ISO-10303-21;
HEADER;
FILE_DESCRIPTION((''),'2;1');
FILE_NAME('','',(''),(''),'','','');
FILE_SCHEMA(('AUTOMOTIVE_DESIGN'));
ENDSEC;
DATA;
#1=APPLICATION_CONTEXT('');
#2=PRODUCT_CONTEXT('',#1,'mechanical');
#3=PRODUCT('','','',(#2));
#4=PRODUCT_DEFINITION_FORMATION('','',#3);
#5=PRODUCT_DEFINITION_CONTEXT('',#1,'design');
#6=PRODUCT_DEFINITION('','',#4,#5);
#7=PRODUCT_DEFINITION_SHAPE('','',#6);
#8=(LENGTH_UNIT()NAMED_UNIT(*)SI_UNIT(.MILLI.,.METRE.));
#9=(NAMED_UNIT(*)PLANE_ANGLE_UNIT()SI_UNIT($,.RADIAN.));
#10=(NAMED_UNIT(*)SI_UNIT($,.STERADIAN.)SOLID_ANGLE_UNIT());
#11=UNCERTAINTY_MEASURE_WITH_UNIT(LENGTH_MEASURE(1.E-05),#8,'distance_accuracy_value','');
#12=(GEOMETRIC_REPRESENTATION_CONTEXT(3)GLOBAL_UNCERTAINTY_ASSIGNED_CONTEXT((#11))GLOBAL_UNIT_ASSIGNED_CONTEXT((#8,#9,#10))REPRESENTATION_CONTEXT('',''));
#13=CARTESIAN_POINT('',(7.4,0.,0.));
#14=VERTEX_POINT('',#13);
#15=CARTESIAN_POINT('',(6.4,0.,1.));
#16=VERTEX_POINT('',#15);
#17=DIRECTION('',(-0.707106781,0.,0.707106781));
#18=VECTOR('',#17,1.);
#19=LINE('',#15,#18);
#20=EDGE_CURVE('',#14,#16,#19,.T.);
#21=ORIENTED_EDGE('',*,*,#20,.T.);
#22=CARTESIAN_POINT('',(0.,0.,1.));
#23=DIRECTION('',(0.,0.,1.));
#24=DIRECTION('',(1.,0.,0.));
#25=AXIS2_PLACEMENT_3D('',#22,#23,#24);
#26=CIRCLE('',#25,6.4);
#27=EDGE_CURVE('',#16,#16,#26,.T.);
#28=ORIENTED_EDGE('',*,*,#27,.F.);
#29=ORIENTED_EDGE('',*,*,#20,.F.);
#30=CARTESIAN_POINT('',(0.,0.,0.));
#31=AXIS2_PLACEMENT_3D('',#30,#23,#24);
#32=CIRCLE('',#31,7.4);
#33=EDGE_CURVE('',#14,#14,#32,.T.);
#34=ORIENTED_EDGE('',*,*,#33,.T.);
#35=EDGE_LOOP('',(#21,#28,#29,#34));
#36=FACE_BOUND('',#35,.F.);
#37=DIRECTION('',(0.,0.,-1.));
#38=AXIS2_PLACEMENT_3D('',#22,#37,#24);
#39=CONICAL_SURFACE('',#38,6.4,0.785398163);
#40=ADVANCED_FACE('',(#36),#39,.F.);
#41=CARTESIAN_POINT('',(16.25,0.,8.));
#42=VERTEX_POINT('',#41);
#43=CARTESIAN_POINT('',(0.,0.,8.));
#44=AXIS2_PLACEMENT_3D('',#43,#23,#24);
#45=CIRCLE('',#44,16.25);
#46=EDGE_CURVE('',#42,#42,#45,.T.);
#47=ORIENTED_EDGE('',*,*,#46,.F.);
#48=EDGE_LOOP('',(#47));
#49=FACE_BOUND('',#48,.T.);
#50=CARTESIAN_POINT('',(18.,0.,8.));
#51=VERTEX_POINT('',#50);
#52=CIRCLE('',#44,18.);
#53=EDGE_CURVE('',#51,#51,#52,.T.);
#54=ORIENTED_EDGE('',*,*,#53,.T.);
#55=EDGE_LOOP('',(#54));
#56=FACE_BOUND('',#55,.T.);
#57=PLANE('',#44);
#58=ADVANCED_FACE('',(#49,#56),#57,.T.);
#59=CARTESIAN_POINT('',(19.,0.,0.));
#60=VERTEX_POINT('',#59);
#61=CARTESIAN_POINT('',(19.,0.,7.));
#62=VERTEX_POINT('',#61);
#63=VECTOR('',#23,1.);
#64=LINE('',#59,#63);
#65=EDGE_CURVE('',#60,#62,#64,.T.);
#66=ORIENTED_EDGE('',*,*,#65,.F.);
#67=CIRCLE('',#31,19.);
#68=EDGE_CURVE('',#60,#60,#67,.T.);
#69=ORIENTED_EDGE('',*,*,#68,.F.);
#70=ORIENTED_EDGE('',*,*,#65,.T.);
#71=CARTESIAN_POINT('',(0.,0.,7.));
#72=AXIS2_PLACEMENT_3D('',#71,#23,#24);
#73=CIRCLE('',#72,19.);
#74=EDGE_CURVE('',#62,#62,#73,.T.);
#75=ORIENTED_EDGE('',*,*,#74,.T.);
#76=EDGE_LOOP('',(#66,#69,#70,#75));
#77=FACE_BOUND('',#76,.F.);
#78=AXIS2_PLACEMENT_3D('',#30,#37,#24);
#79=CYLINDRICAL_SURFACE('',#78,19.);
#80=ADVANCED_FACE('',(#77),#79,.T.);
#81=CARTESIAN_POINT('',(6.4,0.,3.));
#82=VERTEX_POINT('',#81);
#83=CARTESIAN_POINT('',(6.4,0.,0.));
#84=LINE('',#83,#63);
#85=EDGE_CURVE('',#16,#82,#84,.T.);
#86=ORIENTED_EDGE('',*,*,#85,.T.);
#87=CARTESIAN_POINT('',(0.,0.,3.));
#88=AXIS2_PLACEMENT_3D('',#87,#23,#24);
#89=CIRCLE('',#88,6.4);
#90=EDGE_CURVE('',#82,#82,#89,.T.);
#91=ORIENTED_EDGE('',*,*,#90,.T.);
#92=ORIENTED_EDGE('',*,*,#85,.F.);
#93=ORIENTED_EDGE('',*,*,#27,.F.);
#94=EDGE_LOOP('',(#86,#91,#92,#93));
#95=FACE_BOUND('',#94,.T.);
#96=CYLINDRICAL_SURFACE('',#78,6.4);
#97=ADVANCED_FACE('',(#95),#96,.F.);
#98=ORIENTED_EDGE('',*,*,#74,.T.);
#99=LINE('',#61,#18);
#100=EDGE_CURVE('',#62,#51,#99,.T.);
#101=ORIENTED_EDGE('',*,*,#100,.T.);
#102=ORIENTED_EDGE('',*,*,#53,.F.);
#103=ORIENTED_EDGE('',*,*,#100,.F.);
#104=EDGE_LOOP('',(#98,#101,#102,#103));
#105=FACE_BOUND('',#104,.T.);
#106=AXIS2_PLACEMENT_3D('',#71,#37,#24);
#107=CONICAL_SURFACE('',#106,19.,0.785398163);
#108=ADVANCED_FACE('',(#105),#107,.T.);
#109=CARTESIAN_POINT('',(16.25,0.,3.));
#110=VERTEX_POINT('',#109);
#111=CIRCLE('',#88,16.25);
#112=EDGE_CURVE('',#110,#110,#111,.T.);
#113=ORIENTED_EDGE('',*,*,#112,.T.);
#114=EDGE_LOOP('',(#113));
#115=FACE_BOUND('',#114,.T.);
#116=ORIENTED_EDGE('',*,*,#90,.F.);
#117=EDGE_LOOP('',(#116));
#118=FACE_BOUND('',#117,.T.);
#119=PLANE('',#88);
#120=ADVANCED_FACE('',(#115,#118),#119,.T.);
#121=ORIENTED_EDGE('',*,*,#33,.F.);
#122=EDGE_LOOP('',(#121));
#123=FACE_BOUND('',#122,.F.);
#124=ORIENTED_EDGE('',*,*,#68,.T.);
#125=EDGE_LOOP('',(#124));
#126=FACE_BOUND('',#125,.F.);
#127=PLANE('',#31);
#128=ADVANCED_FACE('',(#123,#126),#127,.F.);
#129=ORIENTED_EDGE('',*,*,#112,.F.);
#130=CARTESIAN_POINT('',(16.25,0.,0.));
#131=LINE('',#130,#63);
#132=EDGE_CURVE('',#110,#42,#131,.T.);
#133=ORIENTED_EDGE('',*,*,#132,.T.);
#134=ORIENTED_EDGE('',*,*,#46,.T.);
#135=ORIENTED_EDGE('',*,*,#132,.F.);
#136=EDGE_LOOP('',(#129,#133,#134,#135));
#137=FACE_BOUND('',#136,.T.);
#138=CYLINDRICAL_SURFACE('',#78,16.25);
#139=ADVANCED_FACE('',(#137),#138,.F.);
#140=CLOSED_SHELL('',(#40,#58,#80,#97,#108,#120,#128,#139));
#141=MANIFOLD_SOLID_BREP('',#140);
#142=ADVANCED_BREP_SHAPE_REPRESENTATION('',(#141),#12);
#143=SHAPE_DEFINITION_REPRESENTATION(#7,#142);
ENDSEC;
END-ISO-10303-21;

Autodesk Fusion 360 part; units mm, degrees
sketch "Sketch1" plane through (0, 0, 0) normal (0, 0, 1) x (1, 0, 0)
  circle A0 centre (0, 0) radius 16.25
  circle A1 centre (0, 0) radius 19
  circle A2 centre (0, 0) radius 6.4
  dimension "d1" = 32.5
  dimension "d2" = 38
  dimension "d3" = 12.8
extrude "Extrude1" add sketch "Sketch1" along normal blind 8 contours A1
extrude "Extrude2" add sketch "Sketch1" along normal blind 3 contours A0
chamfer "Chamfer1" distance 1 angle 45 1 edges at (-17.7142, -6.8707, 8)
chamfer "Chamfer2" distance 1 angle 45 1 edges at (-5.9669, 2.3143, 0)
